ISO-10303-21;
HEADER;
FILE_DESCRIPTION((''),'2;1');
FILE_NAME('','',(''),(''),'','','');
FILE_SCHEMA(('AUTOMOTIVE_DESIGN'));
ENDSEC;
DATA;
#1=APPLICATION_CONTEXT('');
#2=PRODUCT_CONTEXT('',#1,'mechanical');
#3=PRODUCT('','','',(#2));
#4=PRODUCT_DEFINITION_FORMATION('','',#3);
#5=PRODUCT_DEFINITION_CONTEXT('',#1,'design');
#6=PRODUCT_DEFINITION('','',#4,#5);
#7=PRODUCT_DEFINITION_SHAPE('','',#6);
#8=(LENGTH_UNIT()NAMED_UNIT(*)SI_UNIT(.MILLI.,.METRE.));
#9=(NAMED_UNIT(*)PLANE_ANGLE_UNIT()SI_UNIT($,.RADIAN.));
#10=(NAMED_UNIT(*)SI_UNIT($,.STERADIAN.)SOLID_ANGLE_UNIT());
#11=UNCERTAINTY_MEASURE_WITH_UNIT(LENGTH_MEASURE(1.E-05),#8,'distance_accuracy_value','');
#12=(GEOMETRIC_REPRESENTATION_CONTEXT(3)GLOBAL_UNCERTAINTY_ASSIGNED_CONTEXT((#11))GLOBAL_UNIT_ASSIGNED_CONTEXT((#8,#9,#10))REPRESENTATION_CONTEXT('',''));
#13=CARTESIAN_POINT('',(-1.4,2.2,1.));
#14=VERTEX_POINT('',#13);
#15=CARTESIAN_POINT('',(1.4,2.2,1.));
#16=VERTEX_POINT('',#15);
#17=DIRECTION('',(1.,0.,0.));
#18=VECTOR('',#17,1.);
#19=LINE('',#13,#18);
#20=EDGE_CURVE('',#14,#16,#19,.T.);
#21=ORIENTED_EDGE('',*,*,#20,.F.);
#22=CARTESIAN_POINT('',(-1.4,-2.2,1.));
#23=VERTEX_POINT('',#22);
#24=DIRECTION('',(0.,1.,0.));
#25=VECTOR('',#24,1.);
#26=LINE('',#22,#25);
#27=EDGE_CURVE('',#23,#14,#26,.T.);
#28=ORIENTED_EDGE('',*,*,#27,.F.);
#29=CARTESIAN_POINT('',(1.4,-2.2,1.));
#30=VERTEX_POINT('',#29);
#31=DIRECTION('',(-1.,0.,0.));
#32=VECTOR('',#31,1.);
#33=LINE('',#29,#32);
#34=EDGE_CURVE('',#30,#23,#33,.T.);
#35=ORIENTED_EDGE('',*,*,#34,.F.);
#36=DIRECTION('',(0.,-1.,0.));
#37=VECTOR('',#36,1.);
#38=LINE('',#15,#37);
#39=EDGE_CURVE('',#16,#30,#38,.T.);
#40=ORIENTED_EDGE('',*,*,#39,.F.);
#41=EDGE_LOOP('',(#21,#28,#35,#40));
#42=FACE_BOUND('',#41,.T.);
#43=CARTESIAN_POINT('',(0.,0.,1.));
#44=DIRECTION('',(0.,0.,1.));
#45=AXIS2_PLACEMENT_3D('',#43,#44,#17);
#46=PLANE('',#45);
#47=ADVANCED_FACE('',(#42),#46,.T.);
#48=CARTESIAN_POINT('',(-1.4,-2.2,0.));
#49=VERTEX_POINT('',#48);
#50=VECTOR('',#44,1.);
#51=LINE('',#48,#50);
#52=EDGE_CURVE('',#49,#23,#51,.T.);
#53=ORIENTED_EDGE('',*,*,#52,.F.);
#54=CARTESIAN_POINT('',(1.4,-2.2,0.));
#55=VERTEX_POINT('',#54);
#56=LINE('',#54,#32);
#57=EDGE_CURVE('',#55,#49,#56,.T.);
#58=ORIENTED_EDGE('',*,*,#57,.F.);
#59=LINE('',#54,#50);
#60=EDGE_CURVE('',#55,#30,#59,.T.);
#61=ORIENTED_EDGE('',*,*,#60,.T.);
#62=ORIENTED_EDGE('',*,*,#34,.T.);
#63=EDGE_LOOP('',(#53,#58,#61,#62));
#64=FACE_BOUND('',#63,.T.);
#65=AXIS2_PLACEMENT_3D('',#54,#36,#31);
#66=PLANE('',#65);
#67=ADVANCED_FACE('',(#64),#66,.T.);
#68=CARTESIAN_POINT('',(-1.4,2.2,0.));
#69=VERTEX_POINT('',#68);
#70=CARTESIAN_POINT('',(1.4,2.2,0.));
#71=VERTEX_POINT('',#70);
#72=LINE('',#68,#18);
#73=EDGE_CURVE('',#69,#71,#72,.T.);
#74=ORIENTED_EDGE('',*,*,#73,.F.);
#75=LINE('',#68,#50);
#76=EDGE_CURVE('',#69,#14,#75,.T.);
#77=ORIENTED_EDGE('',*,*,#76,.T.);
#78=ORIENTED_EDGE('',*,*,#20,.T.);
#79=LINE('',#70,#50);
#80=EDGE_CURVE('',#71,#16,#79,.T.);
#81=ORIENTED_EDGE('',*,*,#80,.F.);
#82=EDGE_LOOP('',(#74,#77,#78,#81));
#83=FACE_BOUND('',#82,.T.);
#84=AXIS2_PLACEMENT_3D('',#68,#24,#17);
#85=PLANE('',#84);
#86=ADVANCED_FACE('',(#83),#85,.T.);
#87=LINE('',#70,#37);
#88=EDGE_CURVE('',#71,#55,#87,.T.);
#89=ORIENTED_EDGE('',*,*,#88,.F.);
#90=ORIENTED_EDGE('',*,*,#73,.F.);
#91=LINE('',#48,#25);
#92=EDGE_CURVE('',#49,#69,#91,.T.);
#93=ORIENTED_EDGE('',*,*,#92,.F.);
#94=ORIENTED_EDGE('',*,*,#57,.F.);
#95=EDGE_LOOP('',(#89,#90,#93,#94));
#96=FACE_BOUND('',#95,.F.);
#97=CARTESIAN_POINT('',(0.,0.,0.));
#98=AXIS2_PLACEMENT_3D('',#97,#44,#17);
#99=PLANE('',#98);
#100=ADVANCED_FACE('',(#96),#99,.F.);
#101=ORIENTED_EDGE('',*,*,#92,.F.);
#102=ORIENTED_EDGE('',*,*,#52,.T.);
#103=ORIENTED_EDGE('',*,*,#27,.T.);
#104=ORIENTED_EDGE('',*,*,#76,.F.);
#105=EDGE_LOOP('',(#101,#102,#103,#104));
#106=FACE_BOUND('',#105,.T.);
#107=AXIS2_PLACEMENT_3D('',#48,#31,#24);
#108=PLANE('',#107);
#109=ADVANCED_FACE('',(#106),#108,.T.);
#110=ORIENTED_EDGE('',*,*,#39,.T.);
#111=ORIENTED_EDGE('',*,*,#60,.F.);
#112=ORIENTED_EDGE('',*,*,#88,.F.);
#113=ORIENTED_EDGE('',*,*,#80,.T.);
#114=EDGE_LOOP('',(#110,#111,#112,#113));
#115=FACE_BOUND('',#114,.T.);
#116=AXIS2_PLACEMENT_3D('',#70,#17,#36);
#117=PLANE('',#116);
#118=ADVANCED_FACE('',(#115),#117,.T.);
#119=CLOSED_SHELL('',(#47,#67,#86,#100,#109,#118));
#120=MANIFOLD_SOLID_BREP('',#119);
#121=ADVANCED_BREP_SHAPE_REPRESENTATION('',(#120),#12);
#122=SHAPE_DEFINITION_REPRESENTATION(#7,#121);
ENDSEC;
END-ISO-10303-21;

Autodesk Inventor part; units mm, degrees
ref_plane "YZ Plane" through (0, 0, 0) normal (1, 0, 0) x (0, 1, 0)
ref_plane "XZ Plane" through (0, 0, 0) normal (0, 1, 0) x (-1, 0, 0)
ref_plane "XY Plane" through (0, 0, 0) normal (0, 0, 1) x (1, 0, 0)
sketch "SFH4641-SHORT2, SFH4641SHORT2_16" plane through (0, 0, 0) normal (0, 0, 1) x (1, 0, 0)
  line L0 (-1.4, 2.2) -> (1.4, 2.2)
  line L1 (1.4, 2.2) -> (1.4, -2.2)
  line L2 (1.4, -2.2) -> (-1.4, -2.2)
  line L3 (-1.4, -2.2) -> (-1.4, 2.2)
extrude "Extrusion1" add sketch "SFH4641-SHORT2, SFH4641SHORT2_16" along normal blind 1
properties part number "SFH4641SHORT2"
